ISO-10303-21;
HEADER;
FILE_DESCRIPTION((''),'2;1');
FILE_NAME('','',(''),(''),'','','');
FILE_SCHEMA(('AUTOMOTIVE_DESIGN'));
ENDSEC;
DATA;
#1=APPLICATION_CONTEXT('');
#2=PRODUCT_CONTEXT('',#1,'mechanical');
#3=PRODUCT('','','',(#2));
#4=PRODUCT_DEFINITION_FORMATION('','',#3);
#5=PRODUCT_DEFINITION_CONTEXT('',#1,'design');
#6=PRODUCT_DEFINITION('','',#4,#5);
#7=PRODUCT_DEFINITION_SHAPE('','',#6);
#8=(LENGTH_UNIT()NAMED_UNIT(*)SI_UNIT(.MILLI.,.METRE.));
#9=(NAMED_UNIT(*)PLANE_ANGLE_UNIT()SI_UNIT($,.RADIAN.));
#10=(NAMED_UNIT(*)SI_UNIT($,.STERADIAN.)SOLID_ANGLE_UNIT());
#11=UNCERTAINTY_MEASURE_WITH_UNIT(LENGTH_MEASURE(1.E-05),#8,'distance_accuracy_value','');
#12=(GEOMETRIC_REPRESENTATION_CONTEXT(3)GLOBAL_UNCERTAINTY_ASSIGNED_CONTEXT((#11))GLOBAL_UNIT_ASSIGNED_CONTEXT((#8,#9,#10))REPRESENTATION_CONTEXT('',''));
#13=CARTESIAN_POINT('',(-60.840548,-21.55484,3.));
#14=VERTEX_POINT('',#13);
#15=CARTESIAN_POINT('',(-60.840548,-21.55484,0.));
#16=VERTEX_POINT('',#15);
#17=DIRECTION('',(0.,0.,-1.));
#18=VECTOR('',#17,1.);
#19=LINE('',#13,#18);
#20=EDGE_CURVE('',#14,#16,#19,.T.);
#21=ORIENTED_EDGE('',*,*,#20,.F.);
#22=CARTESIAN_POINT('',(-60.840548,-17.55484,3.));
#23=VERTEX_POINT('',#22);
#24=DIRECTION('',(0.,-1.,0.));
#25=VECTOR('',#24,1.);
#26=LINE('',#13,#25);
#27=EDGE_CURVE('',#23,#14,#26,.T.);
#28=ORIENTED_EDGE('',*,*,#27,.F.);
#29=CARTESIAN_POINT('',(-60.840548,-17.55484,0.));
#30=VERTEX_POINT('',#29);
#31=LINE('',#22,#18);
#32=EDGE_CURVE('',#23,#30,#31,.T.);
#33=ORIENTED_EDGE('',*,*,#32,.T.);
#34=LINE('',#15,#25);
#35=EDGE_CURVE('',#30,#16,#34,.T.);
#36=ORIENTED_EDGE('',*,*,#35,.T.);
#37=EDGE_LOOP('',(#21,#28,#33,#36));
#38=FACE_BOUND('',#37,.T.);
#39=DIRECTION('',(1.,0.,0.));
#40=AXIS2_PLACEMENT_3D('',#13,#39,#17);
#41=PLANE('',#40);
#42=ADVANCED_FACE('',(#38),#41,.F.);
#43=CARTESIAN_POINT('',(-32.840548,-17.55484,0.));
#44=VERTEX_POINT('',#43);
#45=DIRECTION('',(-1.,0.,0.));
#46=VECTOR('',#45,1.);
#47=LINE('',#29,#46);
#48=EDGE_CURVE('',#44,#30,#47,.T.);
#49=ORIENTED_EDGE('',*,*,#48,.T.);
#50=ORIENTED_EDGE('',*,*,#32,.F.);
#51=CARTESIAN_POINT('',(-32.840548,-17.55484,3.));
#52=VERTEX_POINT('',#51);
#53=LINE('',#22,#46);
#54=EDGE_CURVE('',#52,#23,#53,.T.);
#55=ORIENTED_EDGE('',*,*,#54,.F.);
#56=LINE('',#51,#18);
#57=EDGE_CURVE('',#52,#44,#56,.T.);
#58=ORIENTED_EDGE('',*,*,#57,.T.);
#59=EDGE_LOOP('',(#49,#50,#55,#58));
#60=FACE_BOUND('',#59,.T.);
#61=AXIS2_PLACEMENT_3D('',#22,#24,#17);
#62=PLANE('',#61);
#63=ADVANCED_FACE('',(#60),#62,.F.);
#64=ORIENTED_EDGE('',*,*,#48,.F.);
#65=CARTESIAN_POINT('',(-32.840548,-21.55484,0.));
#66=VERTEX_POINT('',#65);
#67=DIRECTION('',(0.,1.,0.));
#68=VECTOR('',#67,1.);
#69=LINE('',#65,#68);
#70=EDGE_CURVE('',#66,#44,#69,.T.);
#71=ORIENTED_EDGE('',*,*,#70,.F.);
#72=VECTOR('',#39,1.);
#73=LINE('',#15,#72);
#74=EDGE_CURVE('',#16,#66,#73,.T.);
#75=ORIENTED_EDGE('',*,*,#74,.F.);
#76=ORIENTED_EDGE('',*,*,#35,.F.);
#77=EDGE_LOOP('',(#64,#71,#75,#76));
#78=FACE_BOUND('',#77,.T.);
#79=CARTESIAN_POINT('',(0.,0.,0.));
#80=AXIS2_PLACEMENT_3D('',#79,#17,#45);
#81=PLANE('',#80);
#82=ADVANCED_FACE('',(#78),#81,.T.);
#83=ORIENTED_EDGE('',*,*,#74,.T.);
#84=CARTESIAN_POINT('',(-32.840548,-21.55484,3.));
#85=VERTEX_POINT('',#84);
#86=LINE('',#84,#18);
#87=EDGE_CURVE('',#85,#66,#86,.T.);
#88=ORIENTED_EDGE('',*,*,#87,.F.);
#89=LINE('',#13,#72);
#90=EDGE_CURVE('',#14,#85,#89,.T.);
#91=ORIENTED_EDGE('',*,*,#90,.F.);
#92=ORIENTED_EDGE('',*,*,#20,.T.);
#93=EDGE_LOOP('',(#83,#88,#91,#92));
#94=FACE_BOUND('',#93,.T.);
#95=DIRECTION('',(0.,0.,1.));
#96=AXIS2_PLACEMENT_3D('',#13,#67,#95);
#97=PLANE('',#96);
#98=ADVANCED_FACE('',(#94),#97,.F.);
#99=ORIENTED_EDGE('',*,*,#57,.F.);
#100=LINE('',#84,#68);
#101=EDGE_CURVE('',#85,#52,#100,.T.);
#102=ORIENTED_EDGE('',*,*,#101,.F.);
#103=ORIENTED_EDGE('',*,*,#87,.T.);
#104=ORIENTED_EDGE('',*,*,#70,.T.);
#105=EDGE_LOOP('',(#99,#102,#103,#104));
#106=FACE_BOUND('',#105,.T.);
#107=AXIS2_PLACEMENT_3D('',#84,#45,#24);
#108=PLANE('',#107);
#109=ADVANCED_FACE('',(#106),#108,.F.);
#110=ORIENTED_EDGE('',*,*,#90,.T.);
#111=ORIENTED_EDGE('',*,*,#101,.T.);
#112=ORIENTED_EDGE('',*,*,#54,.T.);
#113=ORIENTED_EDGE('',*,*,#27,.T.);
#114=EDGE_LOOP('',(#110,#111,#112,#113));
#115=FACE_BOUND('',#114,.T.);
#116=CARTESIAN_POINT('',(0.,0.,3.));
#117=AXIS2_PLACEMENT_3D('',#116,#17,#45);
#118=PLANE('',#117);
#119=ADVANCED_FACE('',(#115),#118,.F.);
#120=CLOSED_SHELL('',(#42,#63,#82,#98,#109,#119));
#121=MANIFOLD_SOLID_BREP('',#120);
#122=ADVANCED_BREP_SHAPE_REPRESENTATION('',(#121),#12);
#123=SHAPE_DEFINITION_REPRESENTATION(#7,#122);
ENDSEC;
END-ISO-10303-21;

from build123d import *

# Parameters (mm, degrees)
SKETCH1_W           = 28
SKETCH1_H           = 4
BOSS_EXTRUDE1_DEPTH = 3


with BuildPart() as part:
    # Sketch1 → Boss-Extrude1 (new body)
    with BuildSketch(Plane.XY):
        with Locations((-46.840548194, -19.554839833)):
            Rectangle(SKETCH1_W, SKETCH1_H)
    extrude(amount=BOSS_EXTRUDE1_DEPTH)


solid = part.part
